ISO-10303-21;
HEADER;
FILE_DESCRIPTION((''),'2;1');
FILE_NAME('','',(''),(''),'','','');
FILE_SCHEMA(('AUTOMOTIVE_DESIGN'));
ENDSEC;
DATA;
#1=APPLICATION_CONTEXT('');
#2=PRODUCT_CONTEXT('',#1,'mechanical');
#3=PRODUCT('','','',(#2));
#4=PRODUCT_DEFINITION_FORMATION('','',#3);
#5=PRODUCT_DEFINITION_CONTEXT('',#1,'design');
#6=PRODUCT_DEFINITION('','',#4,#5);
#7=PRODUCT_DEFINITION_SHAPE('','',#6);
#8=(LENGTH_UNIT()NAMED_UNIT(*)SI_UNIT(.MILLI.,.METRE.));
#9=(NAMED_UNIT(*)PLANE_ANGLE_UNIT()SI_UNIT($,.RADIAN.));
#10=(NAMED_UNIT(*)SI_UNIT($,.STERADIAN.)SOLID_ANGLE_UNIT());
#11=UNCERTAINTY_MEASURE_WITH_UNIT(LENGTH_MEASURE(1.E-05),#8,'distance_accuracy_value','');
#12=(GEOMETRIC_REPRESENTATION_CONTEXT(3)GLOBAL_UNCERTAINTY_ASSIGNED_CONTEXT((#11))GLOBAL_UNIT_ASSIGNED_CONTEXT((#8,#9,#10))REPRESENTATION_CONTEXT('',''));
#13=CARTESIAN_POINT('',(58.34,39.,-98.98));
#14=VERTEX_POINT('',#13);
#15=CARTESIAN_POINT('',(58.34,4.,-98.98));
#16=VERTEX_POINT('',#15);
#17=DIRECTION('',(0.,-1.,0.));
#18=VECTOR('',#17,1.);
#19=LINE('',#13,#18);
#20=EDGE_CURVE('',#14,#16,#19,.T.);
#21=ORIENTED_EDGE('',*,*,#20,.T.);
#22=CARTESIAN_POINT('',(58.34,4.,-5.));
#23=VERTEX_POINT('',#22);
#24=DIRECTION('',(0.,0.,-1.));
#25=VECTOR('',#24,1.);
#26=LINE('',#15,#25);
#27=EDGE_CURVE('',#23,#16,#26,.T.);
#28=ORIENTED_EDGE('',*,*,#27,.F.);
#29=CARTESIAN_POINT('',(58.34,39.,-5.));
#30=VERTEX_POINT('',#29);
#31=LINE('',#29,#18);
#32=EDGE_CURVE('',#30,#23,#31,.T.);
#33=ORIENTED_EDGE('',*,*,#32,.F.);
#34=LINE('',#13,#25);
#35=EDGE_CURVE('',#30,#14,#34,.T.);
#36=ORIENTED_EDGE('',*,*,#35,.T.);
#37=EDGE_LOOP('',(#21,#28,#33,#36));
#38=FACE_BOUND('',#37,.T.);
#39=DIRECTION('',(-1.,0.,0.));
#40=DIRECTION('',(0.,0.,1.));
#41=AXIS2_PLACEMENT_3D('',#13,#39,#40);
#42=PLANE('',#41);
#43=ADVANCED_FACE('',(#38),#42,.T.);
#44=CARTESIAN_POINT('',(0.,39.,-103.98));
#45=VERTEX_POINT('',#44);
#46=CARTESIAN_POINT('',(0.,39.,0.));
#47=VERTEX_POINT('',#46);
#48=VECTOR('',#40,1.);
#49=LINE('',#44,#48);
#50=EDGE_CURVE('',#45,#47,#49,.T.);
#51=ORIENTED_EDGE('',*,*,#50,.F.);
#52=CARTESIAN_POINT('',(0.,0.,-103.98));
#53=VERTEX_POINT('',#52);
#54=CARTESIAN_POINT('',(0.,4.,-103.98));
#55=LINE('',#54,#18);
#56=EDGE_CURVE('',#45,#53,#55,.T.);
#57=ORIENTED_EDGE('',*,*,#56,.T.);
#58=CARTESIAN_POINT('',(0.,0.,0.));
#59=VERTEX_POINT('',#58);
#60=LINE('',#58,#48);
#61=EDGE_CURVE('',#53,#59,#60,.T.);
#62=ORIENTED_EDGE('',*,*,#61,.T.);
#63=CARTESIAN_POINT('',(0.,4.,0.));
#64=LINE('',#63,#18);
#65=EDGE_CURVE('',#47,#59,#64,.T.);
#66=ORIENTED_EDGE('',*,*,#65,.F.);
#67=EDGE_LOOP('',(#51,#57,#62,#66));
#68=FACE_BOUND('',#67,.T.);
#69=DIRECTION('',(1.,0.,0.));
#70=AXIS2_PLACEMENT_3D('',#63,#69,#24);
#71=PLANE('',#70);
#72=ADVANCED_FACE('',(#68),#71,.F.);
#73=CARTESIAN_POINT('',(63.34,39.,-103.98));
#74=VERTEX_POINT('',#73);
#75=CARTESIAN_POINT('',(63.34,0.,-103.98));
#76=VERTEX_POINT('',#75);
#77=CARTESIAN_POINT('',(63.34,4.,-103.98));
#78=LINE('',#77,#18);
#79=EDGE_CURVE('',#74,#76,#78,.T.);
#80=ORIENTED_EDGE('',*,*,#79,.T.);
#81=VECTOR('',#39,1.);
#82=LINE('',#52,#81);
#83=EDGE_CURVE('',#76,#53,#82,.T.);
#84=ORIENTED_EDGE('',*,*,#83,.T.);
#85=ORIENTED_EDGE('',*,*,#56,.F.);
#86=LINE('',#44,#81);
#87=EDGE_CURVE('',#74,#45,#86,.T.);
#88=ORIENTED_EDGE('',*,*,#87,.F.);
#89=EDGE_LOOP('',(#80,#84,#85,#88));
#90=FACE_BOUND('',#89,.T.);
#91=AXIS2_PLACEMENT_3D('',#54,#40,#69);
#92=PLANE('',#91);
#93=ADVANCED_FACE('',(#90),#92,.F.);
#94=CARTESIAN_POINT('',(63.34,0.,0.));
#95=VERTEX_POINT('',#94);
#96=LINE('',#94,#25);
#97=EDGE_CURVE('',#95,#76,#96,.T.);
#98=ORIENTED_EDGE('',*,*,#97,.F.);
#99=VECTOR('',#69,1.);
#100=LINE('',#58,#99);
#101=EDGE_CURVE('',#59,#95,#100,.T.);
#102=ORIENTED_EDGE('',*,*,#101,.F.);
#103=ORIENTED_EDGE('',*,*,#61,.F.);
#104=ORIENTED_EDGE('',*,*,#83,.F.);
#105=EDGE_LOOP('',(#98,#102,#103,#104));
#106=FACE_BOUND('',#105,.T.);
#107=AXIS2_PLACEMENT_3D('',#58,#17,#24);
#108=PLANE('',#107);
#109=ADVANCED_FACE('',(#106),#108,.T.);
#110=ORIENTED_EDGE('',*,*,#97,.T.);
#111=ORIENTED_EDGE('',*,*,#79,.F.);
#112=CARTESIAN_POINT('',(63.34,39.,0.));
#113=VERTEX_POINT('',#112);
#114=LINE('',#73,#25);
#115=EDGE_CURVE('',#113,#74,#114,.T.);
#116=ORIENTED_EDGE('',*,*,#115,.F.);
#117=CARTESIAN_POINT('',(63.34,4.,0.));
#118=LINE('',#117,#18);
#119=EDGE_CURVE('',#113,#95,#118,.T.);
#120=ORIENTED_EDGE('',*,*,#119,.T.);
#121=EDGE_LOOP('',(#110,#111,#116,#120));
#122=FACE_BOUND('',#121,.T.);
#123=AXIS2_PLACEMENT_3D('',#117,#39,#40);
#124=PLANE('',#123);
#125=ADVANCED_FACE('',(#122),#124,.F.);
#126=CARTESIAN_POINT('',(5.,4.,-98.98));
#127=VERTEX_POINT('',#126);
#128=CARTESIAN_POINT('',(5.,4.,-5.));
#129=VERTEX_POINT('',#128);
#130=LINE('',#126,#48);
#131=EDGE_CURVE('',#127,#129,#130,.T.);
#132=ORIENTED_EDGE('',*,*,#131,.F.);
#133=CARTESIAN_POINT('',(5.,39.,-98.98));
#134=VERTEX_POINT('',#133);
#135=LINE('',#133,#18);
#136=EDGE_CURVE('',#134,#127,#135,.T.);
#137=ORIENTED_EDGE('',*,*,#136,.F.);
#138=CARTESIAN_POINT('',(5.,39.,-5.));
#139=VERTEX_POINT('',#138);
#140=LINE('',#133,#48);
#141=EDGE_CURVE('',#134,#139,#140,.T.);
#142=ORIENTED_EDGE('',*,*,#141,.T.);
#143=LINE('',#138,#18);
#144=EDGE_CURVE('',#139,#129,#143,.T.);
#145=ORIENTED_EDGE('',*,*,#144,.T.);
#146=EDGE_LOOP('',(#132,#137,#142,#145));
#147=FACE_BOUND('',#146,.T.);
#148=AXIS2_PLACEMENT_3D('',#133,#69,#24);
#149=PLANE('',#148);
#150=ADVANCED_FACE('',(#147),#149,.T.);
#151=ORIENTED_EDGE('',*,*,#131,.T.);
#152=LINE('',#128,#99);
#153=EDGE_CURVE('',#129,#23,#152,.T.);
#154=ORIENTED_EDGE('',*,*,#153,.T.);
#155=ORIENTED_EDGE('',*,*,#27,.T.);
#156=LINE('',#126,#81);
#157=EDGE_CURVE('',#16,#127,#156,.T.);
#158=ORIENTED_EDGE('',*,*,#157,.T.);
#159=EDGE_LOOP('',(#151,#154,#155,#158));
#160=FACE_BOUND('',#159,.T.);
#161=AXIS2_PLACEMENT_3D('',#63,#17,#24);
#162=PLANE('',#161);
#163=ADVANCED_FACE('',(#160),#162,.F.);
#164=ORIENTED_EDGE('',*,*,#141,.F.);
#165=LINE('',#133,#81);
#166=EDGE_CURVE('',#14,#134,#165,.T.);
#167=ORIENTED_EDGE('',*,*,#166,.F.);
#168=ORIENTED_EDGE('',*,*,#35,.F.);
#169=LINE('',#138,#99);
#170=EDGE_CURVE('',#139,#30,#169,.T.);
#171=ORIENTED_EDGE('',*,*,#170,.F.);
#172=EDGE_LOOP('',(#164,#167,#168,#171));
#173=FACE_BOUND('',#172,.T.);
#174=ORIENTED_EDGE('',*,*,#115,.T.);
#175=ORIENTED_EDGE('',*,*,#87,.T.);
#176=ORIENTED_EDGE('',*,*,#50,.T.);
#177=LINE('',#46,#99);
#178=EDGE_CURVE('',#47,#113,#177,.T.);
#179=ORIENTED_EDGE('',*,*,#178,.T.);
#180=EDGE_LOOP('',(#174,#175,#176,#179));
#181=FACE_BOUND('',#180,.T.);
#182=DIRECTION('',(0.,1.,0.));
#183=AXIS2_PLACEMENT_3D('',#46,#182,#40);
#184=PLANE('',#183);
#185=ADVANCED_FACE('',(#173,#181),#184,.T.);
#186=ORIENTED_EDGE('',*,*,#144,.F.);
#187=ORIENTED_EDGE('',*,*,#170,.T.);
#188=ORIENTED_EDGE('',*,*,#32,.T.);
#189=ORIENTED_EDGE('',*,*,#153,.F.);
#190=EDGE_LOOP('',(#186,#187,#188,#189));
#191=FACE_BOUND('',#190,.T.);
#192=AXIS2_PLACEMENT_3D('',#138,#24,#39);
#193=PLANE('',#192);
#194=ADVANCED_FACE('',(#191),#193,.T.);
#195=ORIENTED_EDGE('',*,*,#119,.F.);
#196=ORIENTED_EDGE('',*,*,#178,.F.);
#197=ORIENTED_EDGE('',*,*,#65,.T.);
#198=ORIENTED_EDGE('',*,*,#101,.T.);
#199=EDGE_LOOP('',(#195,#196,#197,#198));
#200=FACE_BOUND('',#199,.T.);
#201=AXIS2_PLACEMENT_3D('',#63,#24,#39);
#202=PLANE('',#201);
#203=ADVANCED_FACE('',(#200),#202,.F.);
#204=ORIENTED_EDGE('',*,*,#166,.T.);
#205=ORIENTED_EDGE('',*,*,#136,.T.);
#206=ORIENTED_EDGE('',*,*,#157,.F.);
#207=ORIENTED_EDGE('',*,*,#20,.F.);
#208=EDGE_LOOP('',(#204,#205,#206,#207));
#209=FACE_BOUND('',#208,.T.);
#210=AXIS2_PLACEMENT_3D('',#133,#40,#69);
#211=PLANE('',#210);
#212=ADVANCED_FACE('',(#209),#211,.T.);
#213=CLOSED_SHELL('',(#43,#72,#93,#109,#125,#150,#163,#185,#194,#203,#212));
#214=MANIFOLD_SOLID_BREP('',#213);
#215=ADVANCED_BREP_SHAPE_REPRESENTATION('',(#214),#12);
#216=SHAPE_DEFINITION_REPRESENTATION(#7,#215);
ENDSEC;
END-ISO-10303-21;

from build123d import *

# Parameters (mm, degrees)
SCHIZZO1_W                   = 63.34
SCHIZZO1_H                   = 103.98
ESTRUSIONE_ESTRUSIONE1_DEPTH = 4
SCHIZZO2_W                   = 63.34
SCHIZZO2_H                   = 103.98
SCHIZZO2_W_2                 = 53.34
SCHIZZO2_H_2                 = 93.98
ESTRUSIONE_ESTRUSIONE2_DEPTH = 35


with BuildPart() as part:
    # Schizzo1 → Estrusione-Estrusione1 (new body)
    with BuildSketch(Plane(origin=(0, 0, 0), x_dir=(1, 0, 0), z_dir=(0, 1, 0))):
        with Locations((31.67, 51.99)):
            Rectangle(SCHIZZO1_W, SCHIZZO1_H)
    extrude(amount=ESTRUSIONE_ESTRUSIONE1_DEPTH)

    # Schizzo2 → Estrusione-Estrusione2 (add)
    with BuildSketch(Plane(origin=(0, 4, 0), x_dir=(1, 0, 0), z_dir=(0, 1, 0))):
        with Locations((31.67, 51.99)):
            Rectangle(SCHIZZO2_W, SCHIZZO2_H)
        with Locations((31.67, 51.99)):
            Rectangle(SCHIZZO2_W_2, SCHIZZO2_H_2, mode=Mode.SUBTRACT)
    extrude(amount=ESTRUSIONE_ESTRUSIONE2_DEPTH)


solid = part.part
